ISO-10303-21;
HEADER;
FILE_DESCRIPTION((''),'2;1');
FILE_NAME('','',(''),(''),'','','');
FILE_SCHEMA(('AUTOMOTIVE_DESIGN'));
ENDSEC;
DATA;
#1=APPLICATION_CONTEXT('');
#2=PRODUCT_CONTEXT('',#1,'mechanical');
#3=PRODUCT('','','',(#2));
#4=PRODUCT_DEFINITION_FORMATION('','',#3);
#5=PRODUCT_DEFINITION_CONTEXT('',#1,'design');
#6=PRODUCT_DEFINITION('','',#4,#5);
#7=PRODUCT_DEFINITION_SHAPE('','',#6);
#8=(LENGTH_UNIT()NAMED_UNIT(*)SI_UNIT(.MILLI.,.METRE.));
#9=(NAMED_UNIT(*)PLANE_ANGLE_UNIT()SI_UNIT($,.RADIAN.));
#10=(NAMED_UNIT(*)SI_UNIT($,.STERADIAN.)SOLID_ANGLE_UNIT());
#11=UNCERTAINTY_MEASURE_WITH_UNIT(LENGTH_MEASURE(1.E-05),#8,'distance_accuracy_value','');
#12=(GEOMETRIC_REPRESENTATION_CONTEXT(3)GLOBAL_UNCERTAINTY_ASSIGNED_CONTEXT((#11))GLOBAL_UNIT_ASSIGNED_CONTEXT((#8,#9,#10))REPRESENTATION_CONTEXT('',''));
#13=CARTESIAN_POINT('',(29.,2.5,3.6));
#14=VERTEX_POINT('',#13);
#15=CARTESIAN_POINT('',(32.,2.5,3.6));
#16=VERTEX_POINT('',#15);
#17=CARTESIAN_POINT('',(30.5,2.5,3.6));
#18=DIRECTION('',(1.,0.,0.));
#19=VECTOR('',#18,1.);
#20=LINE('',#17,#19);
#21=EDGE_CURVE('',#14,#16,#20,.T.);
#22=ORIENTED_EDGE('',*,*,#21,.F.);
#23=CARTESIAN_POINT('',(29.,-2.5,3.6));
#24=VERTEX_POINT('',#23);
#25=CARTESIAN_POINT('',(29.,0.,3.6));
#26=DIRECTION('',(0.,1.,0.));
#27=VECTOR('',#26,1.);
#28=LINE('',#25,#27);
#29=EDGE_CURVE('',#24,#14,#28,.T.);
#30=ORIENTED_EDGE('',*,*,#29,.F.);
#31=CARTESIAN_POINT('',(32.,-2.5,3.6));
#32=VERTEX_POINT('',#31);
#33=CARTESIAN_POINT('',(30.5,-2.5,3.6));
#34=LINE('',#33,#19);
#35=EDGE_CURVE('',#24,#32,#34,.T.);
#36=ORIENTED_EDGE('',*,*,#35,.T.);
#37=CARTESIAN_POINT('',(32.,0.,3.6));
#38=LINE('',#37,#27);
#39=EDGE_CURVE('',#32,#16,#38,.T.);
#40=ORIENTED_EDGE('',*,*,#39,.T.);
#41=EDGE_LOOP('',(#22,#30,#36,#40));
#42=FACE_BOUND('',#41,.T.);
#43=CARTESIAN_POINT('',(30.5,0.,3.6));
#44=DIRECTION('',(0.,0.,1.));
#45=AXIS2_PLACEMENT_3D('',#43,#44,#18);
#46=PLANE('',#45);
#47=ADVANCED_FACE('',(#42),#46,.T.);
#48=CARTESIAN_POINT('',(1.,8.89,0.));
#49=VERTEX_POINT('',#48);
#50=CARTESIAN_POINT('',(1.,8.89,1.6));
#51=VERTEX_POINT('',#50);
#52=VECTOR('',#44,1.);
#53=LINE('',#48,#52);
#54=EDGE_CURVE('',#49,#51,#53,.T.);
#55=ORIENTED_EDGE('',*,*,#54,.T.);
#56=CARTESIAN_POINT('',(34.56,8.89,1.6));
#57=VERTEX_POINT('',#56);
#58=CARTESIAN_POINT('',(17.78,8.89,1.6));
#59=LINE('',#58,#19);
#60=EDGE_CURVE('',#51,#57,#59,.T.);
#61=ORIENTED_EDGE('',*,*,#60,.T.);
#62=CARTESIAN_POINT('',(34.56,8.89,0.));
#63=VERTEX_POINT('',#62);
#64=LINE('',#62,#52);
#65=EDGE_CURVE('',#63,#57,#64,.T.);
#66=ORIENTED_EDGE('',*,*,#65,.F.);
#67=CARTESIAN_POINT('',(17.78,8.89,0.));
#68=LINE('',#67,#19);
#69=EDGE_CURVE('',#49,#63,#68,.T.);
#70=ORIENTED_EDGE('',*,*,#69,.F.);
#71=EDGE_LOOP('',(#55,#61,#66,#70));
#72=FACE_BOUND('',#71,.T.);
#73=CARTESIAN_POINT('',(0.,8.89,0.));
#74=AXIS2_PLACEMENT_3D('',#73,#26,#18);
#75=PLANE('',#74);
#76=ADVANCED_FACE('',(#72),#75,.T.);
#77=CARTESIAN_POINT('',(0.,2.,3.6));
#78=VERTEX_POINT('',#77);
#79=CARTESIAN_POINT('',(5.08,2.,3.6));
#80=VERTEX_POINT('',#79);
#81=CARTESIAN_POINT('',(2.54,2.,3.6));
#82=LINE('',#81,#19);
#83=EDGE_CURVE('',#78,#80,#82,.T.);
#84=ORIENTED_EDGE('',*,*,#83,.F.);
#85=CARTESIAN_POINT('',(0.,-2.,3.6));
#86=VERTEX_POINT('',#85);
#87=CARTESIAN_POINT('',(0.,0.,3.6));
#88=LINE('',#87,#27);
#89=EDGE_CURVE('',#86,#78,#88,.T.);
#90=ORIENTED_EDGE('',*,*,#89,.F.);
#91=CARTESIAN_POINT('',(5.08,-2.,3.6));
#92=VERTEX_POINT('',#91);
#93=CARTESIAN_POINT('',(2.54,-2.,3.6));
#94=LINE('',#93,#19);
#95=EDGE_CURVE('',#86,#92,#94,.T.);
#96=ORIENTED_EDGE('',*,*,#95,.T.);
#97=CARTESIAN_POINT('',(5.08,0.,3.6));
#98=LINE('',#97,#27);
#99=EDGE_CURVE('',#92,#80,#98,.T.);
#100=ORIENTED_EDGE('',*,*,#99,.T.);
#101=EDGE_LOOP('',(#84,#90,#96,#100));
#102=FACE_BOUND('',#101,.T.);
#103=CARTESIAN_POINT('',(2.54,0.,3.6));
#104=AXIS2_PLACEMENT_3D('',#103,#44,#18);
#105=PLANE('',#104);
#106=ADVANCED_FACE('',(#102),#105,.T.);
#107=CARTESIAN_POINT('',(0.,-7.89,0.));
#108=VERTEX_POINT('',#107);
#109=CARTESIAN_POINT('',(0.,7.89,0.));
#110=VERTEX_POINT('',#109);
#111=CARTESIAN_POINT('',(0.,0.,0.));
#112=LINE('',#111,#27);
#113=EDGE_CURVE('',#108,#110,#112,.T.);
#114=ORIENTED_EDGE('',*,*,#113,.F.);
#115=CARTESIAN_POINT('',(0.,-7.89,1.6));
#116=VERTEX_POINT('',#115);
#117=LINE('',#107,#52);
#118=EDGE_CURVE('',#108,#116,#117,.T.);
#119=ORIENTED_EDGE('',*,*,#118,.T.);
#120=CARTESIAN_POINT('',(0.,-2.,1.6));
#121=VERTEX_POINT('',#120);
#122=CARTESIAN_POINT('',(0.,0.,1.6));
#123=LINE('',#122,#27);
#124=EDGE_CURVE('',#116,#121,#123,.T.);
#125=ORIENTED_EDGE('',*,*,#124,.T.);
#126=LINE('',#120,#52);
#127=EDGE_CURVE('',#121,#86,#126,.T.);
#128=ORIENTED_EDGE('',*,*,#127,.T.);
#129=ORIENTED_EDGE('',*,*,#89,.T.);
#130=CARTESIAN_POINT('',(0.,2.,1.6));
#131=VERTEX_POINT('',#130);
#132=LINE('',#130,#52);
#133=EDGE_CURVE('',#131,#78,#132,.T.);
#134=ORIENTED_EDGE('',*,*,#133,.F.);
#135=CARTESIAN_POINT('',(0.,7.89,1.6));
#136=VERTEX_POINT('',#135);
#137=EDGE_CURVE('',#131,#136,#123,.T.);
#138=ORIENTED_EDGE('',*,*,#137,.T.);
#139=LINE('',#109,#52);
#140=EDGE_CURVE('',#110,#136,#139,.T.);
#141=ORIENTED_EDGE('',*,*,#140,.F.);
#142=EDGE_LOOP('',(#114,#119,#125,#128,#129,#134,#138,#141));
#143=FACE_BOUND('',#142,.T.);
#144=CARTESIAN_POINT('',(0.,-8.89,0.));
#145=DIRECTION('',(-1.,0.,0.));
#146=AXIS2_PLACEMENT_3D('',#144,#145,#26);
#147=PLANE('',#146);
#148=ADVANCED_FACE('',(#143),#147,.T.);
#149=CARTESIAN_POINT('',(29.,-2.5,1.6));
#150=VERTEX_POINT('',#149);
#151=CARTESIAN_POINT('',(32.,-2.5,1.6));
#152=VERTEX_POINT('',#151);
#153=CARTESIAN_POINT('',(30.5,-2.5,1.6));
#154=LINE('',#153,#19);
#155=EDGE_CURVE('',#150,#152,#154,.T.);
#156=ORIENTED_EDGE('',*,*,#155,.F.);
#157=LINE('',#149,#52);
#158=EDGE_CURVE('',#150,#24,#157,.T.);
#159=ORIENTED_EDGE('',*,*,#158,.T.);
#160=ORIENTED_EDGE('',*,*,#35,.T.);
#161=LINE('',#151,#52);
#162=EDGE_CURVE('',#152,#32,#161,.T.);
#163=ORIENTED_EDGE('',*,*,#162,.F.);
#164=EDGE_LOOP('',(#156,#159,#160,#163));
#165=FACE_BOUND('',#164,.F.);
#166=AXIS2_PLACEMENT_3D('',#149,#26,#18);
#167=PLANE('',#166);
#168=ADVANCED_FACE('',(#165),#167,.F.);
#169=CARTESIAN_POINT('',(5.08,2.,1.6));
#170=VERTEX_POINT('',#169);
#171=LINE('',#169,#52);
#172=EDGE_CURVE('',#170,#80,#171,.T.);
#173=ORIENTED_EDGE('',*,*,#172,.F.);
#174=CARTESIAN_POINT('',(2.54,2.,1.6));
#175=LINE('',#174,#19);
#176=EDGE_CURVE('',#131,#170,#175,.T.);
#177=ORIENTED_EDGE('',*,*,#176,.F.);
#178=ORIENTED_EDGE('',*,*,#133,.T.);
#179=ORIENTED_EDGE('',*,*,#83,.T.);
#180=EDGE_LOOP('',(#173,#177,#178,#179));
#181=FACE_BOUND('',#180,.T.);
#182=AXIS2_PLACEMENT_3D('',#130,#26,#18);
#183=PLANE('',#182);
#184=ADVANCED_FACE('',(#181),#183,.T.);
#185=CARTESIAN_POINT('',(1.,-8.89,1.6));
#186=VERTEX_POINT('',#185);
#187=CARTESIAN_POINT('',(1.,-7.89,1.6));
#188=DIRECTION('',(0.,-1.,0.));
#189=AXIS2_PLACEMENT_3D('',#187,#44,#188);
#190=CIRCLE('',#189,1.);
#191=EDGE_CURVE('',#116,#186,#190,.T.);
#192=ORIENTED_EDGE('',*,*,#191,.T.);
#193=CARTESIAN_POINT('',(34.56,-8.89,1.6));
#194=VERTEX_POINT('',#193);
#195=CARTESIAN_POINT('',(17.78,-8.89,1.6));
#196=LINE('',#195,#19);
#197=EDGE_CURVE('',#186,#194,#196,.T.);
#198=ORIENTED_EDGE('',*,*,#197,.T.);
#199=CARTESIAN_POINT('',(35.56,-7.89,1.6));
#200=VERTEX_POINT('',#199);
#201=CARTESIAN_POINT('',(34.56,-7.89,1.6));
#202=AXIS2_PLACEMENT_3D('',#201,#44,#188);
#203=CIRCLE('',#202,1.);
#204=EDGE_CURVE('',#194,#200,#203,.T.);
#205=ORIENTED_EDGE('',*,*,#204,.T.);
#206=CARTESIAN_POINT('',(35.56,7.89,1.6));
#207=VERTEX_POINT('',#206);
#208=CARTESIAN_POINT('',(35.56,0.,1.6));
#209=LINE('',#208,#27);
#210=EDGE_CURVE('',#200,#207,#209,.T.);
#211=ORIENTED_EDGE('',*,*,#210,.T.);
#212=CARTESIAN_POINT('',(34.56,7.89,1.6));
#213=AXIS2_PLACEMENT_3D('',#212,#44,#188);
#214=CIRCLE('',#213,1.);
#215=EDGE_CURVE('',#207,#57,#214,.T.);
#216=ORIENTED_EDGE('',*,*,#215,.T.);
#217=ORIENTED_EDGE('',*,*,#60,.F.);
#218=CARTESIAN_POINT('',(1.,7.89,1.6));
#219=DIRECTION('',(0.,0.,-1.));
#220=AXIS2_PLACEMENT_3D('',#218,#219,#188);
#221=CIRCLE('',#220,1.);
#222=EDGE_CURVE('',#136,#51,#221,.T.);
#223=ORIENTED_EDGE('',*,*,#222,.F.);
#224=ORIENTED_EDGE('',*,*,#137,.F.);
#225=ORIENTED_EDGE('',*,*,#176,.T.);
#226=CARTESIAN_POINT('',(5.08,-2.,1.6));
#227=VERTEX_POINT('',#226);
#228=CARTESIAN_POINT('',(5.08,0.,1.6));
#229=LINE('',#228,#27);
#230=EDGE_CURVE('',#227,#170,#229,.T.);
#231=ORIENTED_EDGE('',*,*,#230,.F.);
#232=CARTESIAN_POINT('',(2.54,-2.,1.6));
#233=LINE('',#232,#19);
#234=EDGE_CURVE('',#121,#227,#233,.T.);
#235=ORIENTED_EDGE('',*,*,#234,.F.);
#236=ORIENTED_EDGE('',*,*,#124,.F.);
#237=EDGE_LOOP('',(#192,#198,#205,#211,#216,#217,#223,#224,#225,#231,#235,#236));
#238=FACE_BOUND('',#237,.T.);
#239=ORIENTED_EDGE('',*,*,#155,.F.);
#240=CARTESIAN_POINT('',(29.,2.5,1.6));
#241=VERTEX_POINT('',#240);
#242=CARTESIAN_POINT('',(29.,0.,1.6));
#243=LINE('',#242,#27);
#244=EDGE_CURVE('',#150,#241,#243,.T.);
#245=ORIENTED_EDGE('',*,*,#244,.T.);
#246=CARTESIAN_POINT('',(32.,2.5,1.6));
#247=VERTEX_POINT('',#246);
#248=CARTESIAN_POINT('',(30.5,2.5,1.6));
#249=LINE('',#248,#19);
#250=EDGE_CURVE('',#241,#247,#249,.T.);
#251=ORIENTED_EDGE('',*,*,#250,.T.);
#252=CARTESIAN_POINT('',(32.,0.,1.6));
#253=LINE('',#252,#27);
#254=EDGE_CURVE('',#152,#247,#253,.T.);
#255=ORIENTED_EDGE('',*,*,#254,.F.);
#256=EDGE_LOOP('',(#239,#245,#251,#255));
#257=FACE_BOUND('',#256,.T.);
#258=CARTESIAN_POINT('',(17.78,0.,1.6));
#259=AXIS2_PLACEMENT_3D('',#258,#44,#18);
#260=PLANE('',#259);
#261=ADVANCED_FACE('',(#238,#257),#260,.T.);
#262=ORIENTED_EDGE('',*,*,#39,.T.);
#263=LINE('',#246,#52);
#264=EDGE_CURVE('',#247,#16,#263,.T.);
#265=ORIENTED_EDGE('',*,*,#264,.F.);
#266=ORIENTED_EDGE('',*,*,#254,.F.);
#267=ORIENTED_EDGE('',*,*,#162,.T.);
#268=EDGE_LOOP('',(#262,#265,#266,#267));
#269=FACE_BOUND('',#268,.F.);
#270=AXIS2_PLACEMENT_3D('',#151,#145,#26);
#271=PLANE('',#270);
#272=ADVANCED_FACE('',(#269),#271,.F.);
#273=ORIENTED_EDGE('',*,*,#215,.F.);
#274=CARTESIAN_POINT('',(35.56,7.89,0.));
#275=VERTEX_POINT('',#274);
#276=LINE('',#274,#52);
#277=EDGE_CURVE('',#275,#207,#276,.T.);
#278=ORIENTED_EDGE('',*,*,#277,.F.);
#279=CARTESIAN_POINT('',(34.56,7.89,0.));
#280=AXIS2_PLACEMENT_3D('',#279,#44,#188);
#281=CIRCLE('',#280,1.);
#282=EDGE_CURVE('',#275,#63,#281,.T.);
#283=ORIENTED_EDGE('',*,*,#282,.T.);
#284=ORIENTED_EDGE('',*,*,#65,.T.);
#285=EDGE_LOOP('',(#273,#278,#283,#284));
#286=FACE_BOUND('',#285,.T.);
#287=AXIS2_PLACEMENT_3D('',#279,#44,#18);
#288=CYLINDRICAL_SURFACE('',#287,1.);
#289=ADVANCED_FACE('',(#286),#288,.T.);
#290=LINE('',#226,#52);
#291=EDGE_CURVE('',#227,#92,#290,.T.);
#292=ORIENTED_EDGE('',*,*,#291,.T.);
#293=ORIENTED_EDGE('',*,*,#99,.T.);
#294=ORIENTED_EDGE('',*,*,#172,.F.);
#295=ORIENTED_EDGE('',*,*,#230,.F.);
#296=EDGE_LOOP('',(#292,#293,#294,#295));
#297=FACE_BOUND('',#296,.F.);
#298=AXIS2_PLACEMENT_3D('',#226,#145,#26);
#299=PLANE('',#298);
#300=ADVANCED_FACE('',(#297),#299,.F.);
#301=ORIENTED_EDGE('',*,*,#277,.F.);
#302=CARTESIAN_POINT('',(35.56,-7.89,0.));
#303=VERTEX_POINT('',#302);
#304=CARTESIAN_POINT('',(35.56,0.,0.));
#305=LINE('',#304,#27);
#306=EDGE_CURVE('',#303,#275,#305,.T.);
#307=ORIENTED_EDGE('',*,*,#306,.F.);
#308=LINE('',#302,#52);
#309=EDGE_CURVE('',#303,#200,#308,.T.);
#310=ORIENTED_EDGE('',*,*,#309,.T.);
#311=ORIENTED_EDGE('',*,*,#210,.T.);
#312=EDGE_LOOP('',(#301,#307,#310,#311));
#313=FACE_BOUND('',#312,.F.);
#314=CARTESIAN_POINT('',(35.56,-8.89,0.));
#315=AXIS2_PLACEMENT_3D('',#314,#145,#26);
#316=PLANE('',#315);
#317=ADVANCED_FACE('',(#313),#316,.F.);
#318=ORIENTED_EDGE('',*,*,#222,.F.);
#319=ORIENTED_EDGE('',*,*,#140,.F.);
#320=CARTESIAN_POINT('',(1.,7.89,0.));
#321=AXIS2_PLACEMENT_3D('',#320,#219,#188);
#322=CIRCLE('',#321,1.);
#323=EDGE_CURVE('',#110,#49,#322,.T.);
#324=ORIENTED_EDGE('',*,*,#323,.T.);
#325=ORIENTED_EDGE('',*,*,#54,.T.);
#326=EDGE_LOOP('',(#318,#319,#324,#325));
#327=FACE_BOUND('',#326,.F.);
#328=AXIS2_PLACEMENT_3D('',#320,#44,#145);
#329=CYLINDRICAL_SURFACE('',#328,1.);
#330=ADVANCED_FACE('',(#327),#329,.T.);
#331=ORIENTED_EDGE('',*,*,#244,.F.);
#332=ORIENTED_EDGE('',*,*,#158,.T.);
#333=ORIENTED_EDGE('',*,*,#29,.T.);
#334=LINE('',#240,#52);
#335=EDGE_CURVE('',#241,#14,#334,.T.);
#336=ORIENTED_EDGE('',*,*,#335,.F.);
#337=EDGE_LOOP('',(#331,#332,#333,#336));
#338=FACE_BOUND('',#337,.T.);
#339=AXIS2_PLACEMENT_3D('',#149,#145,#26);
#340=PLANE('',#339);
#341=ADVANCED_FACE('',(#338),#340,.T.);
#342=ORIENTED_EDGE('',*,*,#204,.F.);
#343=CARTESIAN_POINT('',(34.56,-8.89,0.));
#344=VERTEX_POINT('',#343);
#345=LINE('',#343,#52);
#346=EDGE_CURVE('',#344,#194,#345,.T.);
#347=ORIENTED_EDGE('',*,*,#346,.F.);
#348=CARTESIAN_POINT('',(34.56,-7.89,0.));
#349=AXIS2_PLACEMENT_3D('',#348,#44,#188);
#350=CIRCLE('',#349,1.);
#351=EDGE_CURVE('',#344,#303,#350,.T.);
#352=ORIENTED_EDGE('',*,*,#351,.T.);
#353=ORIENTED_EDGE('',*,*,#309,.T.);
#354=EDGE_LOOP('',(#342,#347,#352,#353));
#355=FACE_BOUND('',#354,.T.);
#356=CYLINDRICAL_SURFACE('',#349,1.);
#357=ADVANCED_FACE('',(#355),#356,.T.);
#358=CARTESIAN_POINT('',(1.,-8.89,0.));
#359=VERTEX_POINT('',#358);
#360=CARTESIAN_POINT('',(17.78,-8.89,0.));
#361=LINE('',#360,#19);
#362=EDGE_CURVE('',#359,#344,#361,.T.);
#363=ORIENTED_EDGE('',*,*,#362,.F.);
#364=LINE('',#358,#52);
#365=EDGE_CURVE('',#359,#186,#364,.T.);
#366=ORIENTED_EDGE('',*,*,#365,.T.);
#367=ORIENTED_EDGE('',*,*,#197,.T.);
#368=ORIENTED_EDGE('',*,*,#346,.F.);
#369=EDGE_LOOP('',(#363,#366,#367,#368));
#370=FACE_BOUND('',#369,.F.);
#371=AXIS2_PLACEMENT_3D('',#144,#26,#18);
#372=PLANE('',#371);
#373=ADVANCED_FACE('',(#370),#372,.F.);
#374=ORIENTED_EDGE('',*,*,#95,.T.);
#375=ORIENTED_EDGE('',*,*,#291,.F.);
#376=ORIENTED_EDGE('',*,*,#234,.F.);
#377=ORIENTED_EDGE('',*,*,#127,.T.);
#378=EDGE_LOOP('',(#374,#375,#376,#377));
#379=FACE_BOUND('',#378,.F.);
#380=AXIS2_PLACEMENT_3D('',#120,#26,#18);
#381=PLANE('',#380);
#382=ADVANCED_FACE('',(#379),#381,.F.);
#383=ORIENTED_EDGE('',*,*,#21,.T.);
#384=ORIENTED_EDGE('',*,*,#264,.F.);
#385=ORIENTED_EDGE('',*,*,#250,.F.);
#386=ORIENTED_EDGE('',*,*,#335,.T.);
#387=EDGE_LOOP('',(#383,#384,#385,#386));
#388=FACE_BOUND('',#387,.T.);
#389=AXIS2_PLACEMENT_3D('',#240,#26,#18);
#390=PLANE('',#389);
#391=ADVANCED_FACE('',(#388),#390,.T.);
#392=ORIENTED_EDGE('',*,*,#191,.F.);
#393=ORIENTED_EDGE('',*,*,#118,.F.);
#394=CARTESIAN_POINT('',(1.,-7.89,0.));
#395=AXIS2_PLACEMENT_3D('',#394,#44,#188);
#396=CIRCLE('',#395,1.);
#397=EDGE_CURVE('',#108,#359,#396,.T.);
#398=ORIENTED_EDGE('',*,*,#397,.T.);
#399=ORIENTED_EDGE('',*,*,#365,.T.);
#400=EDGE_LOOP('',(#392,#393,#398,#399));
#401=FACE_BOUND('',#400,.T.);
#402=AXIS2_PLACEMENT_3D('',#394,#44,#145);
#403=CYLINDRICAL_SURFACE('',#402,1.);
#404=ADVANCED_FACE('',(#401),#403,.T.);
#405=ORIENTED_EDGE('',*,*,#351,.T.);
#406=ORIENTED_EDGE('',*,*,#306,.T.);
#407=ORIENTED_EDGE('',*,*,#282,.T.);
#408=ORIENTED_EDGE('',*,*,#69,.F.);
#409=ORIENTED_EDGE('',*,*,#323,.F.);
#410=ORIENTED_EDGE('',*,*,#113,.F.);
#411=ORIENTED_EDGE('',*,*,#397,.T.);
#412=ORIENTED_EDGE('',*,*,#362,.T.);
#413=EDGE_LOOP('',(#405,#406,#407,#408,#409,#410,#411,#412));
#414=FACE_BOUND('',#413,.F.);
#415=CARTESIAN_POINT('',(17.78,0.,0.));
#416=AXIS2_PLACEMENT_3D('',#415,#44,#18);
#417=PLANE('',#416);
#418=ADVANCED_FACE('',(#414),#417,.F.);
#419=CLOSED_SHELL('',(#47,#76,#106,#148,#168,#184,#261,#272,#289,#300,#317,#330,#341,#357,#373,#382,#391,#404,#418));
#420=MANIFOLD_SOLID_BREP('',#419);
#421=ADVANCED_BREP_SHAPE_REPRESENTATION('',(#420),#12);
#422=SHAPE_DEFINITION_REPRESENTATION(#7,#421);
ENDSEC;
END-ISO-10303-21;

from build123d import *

# Parameters (mm, degrees)
SKETCH_W      = 35.56
SKETCH_H      = 17.78
PAD_DEPTH     = 1.6
FILLET_R      = 1
SKETCH001_W   = 5.08
SKETCH001_H   = 4
SKETCH001_W_2 = 3
SKETCH001_H_2 = 5
PAD001_DEPTH  = 2


with BuildPart() as part:
    # Sketch → Pad (new body)
    with BuildSketch(Plane.XY):
        with Locations((17.78, 0)):
            Rectangle(SKETCH_W, SKETCH_H)
    extrude(amount=PAD_DEPTH)

    # Fillet
    fillet_edges = [part.edges().sort_by_distance(p)[0] for p in [
        (0, -8.89, 0.8),
        (0, 8.89, 0.8),
        (35.56, -8.89, 0.8),
        (35.56, 8.89, 0.8),
    ]]
    fillet(fillet_edges, radius=FILLET_R)

    # Sketch001 (on Face5 of Fillet) → Pad001 (join)
    with BuildSketch(Plane.XY.offset(1.6)):
        with Locations((2.54, 0)):
            Rectangle(SKETCH001_W, SKETCH001_H)
        with Locations((30.5, 0)):
            Rectangle(SKETCH001_W_2, SKETCH001_H_2)
    extrude(amount=PAD001_DEPTH)


solid = part.part
